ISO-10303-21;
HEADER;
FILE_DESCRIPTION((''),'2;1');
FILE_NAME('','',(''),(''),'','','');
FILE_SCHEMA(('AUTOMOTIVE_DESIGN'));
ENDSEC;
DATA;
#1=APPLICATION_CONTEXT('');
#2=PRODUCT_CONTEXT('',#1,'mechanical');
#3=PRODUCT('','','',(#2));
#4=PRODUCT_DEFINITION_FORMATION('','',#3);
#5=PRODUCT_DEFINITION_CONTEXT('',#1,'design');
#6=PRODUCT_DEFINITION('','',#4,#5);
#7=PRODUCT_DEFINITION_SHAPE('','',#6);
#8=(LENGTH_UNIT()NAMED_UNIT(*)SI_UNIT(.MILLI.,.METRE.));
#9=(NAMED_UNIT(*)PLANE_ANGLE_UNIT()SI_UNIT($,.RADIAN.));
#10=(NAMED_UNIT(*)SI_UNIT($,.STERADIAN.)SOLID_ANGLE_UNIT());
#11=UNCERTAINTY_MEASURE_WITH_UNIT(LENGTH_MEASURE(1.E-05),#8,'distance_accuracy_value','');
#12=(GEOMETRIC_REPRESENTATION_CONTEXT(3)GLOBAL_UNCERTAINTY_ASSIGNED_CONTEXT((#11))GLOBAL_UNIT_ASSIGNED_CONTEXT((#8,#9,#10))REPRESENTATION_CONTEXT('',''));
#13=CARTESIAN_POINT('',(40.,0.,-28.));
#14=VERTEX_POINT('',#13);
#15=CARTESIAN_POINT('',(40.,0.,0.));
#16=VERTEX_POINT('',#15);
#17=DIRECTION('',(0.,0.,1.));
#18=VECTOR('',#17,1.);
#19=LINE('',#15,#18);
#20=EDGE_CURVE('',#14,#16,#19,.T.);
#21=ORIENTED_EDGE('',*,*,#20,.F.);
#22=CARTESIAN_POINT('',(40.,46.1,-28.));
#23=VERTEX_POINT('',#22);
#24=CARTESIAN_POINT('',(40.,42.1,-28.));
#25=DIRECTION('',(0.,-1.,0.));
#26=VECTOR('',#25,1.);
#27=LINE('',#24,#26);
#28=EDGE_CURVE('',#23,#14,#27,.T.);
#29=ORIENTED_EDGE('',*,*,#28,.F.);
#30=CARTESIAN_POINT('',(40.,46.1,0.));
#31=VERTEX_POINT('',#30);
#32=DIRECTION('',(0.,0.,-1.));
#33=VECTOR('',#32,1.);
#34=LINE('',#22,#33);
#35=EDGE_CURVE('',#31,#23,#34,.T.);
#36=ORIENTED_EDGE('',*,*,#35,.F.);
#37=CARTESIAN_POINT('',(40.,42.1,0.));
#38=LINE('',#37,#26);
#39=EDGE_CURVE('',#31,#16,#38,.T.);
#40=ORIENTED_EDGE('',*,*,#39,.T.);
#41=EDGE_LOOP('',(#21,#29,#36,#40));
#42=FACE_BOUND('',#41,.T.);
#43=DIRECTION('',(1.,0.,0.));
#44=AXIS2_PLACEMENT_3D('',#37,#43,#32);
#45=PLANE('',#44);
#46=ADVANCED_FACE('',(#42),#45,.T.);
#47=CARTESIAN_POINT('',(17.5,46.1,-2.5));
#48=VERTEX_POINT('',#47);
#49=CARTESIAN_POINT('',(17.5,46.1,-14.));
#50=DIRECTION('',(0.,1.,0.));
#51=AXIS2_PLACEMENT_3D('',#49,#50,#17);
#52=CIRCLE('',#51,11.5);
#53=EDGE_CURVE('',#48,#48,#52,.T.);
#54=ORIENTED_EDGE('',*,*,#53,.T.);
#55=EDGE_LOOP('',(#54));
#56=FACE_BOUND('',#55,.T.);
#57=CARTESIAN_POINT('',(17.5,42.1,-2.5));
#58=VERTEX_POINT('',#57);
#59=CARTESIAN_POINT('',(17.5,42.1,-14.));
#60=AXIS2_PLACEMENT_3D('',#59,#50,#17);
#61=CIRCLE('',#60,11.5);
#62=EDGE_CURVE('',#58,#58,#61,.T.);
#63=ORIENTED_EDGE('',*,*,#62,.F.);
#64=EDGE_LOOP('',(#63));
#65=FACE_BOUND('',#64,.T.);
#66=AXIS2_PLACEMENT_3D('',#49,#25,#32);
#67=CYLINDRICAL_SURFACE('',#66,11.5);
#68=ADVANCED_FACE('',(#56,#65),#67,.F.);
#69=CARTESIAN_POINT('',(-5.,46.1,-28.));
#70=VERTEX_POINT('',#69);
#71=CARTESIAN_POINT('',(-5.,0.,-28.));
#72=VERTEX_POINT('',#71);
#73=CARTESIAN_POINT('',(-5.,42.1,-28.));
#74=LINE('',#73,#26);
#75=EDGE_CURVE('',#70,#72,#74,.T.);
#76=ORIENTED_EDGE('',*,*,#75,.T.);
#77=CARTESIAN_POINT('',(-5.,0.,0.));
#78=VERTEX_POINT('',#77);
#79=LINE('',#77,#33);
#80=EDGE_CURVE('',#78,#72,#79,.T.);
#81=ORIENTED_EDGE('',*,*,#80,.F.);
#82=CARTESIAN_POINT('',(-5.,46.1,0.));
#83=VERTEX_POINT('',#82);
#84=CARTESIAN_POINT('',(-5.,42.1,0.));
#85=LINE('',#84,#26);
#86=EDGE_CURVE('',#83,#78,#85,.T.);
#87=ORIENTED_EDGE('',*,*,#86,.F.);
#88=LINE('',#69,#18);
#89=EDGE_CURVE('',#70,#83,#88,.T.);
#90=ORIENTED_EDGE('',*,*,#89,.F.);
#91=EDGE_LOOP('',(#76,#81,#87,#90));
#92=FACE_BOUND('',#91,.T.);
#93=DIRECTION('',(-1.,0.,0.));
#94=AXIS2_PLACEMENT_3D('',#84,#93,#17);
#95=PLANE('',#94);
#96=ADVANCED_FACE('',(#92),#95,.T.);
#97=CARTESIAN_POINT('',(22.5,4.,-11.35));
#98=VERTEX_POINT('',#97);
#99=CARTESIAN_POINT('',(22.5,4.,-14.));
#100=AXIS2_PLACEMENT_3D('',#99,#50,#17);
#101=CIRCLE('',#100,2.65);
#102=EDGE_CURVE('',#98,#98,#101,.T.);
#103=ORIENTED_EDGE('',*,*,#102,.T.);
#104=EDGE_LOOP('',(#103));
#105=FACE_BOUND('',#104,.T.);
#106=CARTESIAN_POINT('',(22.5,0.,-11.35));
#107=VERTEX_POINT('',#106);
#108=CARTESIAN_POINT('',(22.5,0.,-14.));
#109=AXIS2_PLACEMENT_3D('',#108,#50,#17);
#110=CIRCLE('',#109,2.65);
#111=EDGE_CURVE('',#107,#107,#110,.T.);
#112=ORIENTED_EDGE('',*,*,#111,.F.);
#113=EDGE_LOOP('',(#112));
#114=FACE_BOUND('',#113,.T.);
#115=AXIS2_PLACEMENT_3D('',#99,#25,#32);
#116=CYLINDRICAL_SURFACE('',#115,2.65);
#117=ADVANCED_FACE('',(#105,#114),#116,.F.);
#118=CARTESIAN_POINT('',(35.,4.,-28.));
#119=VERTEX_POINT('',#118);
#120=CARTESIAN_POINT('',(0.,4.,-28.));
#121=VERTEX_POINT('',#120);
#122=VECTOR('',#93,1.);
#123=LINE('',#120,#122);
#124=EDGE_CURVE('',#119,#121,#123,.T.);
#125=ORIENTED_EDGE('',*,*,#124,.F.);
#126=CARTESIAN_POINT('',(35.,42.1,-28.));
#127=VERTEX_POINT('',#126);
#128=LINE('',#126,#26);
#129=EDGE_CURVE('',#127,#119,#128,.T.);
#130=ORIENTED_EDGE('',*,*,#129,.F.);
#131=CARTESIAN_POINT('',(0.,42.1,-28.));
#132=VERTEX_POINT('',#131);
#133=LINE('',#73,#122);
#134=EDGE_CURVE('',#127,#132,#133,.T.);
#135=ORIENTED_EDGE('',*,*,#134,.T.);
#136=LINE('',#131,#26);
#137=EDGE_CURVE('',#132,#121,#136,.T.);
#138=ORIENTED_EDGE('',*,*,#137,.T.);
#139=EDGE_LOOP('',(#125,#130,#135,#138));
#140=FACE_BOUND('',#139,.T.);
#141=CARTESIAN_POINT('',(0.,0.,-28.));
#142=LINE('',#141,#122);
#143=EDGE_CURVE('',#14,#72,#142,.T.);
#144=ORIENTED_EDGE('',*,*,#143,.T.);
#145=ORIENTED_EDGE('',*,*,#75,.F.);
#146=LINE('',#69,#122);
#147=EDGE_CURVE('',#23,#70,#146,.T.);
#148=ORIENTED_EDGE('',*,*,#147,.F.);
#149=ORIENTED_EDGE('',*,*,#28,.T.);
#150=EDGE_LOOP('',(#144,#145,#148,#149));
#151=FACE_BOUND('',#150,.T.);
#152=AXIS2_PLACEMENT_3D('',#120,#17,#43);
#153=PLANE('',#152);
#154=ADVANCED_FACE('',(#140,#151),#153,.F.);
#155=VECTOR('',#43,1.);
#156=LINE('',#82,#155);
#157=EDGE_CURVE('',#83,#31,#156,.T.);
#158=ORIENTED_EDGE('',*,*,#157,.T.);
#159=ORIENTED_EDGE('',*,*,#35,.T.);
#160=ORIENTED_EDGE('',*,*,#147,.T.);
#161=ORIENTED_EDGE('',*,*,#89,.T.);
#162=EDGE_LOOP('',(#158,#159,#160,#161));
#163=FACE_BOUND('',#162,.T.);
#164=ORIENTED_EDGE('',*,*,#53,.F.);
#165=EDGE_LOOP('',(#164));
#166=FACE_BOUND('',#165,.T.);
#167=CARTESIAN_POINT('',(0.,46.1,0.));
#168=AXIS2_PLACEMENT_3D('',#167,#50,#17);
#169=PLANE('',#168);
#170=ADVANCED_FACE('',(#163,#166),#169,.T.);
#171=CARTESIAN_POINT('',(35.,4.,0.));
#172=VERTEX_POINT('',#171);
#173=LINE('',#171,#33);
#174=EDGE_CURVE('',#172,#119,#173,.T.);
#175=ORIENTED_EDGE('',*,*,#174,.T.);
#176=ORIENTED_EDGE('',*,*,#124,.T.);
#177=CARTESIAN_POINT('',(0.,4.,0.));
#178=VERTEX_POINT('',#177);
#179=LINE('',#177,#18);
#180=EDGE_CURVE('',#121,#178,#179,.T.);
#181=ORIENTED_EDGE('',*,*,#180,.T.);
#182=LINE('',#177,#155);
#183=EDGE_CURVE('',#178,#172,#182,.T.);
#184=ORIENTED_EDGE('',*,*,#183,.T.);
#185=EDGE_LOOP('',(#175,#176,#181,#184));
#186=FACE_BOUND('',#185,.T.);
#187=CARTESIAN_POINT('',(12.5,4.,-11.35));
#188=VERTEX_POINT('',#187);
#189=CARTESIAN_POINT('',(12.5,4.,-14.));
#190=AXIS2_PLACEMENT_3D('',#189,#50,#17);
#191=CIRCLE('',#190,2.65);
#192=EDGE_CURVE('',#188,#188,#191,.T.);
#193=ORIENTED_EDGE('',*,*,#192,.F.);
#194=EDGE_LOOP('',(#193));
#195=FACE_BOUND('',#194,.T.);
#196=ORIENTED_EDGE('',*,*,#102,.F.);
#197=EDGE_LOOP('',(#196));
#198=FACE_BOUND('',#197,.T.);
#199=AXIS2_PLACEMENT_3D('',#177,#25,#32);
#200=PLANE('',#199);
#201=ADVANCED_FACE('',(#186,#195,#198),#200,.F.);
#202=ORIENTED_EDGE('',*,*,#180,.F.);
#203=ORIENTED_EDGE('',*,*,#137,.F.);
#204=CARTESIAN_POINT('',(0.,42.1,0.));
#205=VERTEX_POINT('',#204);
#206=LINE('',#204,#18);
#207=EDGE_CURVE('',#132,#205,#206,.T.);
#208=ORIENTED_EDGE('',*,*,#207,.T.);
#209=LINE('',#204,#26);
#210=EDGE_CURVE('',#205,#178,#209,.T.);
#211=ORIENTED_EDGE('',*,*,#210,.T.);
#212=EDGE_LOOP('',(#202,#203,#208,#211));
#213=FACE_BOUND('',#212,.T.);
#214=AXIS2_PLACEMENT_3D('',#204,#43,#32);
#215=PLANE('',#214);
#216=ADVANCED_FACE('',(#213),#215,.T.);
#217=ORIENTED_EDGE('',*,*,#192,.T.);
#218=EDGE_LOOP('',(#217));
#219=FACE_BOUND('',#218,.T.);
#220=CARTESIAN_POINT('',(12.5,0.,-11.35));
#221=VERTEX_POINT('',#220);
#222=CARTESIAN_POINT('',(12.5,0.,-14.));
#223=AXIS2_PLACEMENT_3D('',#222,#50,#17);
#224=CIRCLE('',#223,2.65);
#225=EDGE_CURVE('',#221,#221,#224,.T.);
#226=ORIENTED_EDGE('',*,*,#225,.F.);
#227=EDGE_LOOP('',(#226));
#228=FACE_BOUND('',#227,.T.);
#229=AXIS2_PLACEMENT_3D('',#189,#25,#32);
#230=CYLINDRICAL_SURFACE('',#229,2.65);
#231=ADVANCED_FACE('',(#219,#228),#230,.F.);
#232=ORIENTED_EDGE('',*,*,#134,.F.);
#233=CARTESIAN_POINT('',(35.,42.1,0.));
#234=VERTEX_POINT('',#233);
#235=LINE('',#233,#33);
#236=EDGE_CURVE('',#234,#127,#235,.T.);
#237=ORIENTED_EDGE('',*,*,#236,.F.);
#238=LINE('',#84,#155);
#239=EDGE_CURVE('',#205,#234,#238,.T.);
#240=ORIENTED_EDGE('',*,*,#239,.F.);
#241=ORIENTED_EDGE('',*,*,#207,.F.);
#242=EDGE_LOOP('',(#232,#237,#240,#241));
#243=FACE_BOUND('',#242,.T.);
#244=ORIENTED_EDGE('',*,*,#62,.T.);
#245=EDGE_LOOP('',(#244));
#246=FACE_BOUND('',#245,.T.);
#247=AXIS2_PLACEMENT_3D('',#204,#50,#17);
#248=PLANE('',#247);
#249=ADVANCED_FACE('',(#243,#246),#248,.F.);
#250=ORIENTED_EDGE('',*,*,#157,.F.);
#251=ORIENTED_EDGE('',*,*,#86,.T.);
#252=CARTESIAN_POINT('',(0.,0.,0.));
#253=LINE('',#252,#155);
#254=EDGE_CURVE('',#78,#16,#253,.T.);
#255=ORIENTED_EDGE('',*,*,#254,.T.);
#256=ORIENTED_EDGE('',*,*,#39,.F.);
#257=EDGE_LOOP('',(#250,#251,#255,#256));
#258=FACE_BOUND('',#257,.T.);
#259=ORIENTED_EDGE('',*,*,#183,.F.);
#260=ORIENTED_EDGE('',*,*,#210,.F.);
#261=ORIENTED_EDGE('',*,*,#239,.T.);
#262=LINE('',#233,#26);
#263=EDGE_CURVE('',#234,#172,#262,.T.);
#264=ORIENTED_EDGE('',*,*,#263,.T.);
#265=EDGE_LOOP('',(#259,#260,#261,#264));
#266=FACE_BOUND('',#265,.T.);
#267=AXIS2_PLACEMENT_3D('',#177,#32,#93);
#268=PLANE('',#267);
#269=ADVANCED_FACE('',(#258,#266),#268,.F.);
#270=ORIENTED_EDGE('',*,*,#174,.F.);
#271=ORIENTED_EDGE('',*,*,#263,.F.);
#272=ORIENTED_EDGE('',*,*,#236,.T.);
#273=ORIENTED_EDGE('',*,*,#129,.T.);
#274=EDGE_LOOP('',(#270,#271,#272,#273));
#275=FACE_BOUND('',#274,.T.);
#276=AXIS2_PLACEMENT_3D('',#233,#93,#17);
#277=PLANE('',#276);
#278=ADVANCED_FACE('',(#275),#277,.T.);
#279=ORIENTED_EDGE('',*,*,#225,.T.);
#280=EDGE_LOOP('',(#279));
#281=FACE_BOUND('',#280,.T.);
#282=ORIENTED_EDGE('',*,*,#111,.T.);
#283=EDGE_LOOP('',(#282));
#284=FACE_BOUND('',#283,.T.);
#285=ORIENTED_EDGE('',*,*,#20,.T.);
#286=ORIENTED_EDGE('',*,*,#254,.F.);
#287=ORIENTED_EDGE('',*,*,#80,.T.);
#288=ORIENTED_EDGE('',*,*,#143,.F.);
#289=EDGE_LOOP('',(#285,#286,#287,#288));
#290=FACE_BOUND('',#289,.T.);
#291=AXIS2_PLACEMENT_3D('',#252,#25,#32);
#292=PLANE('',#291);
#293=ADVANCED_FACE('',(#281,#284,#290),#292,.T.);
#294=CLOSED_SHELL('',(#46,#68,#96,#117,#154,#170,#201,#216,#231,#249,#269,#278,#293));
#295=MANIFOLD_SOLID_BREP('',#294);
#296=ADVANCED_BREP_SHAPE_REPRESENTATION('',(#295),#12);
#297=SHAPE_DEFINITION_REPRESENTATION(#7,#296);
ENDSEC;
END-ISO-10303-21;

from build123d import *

# Parameters (mm, degrees)
SKETCH1_W           = 35
SKETCH1_H           = 28
SKETCH1_R           = 2.65
BOSS_EXTRUDE1_DEPTH = 4
SKETCH2_W           = 5
SKETCH2_H           = 28
BOSS_EXTRUDE2_DEPTH = 42.1
SKETCH3_W           = 45
SKETCH3_H           = 28
SKETCH3_R           = 11.5
BOSS_EXTRUDE3_DEPTH = 4


with BuildPart() as part:
    # Sketch1 → Boss-Extrude1 (new body)
    with BuildSketch(Plane(origin=(0, 0, 0), x_dir=(1, 0, 0), z_dir=(0, 1, 0))):
        with Locations((17.5, 14)):
            Rectangle(SKETCH1_W, SKETCH1_H)
        with Locations(Location((12.5, 14, 0), (0, 0, 270))):
            Circle(SKETCH1_R, mode=Mode.SUBTRACT)
        with Locations(Location((22.5, 14, 0), (0, 0, 270))):
            Circle(SKETCH1_R, mode=Mode.SUBTRACT)
    extrude(amount=BOSS_EXTRUDE1_DEPTH)

    # Sketch2 → Boss-Extrude2 (add)
    with BuildSketch(Plane.XZ):
        with Locations((-2.5, -14)):
            Rectangle(SKETCH2_W, SKETCH2_H)
        with Locations((37.5, -14)):
            Rectangle(SKETCH2_W, SKETCH2_H)
    extrude(amount=-BOSS_EXTRUDE2_DEPTH)

    # Sketch3 → Boss-Extrude3 (add)
    with BuildSketch(Plane(origin=(0, 42.1, 0), x_dir=(1, 0, 0), z_dir=(0, 1, 0))):
        with Locations((17.5, 14)):
            Rectangle(SKETCH3_W, SKETCH3_H)
        with Locations(Location((17.5, 14, 0), (0, 0, 270))):
            Circle(SKETCH3_R, mode=Mode.SUBTRACT)
    extrude(amount=BOSS_EXTRUDE3_DEPTH)


solid = part.part
